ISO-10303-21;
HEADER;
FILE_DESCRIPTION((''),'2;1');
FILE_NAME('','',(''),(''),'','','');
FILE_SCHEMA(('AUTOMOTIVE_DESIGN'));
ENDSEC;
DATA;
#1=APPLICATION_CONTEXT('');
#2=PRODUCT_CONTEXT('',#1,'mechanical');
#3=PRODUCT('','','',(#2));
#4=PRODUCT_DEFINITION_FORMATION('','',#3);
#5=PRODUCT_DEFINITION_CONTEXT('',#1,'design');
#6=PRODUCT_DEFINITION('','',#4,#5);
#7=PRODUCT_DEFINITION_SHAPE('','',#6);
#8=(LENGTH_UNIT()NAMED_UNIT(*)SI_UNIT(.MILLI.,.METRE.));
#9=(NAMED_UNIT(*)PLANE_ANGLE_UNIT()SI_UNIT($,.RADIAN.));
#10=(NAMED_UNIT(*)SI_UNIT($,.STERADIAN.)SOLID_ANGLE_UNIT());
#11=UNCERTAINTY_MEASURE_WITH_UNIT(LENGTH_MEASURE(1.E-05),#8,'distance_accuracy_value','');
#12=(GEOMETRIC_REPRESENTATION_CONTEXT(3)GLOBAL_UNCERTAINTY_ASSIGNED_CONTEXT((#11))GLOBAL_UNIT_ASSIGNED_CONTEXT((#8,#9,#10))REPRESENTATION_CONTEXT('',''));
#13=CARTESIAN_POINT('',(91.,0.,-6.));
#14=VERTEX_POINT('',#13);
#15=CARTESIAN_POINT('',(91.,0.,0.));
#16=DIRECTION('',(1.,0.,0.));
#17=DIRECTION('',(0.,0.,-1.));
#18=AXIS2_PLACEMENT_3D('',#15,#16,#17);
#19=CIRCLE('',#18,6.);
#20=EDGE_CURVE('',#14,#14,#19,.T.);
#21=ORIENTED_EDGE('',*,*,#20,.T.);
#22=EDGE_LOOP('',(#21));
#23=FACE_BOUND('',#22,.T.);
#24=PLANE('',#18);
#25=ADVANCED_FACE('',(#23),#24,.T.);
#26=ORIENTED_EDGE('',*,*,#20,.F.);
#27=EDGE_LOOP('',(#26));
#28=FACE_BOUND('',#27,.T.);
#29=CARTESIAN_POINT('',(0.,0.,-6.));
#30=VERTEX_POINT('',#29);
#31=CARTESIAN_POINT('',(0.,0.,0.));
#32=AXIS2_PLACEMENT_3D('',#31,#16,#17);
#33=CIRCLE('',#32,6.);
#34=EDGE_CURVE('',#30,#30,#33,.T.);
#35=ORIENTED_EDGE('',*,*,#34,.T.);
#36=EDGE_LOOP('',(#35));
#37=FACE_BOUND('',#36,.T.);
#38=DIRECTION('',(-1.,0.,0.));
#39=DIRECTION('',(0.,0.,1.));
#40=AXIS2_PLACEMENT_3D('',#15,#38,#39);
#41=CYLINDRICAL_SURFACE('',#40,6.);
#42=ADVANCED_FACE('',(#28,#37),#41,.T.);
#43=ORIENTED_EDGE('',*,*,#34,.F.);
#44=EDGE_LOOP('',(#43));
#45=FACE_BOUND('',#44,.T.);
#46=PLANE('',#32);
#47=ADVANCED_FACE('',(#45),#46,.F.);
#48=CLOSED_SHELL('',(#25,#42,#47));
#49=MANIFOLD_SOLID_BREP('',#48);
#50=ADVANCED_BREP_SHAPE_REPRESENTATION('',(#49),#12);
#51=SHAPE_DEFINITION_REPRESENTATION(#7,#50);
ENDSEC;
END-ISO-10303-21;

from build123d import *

# Parameters (mm, degrees)
IZIM1_R                     = 6
Y_KSEKLIK_EKSTR_ZYON1_DEPTH = 91


with BuildPart() as part:
    # Çizim1 → Yükseklik-Ekstrüzyon1 (new body)
    with BuildSketch(Plane(origin=(0, 0, 0), x_dir=(0, 0, -1), z_dir=(1, 0, 0))):
        Circle(IZIM1_R)
    extrude(amount=Y_KSEKLIK_EKSTR_ZYON1_DEPTH)


solid = part.part
